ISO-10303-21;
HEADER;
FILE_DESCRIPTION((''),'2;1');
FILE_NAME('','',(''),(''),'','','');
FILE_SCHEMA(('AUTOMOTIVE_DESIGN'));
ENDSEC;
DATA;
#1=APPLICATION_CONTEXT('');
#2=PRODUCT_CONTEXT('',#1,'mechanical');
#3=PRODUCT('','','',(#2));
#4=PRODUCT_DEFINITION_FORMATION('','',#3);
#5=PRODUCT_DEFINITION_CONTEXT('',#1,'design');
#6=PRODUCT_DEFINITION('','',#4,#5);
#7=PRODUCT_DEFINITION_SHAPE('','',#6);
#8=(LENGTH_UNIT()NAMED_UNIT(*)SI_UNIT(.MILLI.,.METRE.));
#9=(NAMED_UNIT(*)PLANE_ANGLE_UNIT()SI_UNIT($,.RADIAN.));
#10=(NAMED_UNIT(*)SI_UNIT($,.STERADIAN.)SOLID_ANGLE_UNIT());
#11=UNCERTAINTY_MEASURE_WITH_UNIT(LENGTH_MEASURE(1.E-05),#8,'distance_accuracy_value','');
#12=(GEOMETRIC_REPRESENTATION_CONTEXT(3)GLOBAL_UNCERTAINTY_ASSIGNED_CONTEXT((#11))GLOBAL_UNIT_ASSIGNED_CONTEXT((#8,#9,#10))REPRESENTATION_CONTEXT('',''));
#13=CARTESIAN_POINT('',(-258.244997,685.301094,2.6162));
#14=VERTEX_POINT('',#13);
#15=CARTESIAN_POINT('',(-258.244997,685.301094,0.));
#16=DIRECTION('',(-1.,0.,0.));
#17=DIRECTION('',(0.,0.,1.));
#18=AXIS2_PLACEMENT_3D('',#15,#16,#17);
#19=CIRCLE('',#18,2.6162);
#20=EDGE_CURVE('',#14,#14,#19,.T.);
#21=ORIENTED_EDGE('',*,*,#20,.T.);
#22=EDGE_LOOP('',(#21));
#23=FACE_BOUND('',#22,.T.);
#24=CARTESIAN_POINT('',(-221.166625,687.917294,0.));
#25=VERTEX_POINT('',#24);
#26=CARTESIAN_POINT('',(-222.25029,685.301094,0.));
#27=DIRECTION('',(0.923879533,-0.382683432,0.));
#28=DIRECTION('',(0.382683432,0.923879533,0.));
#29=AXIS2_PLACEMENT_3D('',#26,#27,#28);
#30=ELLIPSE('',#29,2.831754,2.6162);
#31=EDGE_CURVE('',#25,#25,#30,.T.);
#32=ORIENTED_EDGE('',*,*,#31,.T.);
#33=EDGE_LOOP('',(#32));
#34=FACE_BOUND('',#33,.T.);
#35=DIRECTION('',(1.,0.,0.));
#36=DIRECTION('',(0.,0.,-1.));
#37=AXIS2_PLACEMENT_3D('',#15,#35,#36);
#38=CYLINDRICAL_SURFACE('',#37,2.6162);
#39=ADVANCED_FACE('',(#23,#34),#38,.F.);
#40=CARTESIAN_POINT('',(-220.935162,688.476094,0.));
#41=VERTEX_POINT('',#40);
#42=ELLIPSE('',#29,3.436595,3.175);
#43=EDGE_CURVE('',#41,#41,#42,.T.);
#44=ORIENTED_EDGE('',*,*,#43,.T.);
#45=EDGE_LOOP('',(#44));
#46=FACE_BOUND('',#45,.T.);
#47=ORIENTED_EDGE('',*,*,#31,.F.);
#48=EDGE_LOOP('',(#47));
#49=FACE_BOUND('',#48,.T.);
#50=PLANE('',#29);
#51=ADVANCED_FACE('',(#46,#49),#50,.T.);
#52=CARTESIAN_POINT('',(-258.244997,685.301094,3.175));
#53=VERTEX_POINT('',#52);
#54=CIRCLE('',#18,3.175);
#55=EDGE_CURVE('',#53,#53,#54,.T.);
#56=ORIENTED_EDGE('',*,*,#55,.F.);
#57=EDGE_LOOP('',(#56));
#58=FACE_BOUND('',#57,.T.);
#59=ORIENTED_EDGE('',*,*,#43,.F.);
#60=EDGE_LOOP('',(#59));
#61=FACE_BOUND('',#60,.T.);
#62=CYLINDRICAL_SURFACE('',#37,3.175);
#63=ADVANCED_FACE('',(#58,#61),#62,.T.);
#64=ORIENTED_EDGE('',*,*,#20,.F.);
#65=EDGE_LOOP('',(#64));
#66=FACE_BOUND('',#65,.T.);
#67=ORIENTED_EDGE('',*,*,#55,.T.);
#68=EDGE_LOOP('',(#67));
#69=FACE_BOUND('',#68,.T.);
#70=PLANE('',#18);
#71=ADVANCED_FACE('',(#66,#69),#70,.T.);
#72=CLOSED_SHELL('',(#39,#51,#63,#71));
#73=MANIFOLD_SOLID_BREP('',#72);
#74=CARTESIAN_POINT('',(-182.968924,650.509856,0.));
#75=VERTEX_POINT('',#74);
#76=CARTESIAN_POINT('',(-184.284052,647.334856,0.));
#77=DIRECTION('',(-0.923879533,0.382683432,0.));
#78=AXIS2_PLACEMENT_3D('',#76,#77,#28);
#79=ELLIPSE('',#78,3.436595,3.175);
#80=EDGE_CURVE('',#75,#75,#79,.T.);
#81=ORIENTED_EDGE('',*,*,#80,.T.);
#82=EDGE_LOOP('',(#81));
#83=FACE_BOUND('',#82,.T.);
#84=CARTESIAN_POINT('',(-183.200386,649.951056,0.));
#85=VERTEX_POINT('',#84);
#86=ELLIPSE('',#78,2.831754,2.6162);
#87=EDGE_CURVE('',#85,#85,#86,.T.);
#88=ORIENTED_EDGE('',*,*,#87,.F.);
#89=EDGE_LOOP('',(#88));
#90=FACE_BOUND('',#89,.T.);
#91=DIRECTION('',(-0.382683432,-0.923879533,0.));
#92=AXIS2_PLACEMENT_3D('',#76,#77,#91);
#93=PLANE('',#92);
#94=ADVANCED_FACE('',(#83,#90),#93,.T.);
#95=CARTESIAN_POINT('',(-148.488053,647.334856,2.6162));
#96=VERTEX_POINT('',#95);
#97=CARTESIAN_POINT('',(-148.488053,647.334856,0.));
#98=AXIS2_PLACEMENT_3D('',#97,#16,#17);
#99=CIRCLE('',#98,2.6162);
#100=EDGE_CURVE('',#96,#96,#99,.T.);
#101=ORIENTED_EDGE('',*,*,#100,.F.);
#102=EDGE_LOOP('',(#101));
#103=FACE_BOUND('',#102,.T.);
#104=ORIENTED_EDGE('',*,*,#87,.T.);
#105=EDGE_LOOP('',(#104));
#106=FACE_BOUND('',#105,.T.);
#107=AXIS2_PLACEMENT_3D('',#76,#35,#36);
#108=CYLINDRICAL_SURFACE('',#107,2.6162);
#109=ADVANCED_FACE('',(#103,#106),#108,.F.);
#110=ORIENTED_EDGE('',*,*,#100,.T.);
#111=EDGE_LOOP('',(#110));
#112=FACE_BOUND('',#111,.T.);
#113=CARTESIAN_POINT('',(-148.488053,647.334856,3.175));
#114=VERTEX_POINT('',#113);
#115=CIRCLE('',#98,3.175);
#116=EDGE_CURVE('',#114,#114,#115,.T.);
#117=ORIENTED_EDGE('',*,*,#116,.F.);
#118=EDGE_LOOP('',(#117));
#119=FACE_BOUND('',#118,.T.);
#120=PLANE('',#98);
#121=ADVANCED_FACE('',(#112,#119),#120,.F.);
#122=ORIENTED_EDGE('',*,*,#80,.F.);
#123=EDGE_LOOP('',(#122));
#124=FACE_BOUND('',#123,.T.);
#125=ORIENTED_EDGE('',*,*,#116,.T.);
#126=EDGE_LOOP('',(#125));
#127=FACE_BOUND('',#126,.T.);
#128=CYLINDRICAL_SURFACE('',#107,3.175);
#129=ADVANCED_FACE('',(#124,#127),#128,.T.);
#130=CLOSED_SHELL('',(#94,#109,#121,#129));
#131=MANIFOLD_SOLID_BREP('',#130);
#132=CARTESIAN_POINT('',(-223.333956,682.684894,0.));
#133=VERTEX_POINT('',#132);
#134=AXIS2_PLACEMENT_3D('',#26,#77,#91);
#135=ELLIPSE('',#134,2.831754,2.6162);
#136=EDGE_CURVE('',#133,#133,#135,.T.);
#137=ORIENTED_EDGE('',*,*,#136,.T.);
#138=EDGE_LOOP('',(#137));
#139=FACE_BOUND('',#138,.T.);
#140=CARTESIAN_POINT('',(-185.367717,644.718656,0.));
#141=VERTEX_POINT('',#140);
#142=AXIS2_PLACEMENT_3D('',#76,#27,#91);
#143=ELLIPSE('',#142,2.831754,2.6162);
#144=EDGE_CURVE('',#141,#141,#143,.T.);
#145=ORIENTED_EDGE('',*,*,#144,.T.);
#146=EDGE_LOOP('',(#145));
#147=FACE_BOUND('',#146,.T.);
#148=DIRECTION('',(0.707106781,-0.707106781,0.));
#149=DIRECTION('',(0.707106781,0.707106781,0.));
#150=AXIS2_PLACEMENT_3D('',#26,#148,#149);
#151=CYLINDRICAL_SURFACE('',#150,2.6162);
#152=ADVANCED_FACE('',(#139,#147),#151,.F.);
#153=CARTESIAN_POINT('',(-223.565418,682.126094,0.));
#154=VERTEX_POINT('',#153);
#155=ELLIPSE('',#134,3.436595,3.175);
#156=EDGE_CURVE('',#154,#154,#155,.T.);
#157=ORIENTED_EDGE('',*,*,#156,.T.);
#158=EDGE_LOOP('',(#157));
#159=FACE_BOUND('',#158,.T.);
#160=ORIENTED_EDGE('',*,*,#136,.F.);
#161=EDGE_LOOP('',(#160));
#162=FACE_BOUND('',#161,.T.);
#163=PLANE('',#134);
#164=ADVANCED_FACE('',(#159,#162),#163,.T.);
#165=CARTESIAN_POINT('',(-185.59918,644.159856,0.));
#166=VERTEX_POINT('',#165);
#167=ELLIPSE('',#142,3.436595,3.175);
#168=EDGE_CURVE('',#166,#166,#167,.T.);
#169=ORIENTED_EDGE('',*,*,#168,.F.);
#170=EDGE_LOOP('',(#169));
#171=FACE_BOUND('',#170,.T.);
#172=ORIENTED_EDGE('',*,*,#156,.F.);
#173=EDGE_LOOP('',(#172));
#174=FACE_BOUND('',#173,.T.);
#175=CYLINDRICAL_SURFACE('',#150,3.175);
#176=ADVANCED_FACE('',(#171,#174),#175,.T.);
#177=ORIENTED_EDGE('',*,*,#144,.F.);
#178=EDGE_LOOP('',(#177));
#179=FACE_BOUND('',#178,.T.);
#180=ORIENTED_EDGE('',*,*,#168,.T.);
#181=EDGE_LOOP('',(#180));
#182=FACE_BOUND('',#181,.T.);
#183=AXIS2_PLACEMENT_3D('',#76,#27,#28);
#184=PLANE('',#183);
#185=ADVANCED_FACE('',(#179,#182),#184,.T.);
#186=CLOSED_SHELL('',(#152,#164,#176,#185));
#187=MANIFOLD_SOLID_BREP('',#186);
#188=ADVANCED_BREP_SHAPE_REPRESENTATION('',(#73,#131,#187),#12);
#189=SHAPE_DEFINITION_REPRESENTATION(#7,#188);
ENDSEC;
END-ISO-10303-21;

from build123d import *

# Parameters (mm, degrees)
SKETCH1_ON_SEGMENT_1_R         = 3.175
SKETCH1_ON_SEGMENT_1_R_2       = 2.6162
PIPE_0_5_SCH_40_1_DEPTH        = 38.655870397
SKETCH1_ON_SEGMENT_2_R         = 3.175
SKETCH1_ON_SEGMENT_2_R_2       = 2.6162
PIPE_0_5_SCH_40_1_2_DEPTH      = 59.412113138
PIPE_0_5_SCH_40_1_3_DEPTH      = 35.994706883
PIPE_0_5_SCH_40_1_3_DEPTH_BACK = 2.859871939
SKETCH1_R                      = 3.175
SKETCH1_R_2                    = 2.6162


with BuildPart() as part:
    # Sketch1 on segment 1 (carried to segment 1) → Pipe 0.5 SCH 40(1) (new body)
    with BuildSketch(Plane(origin=(-148.488053197, 647.33485556, 0), x_dir=(0, -1, 0), z_dir=(-1, 0, 0))):
        Circle(SKETCH1_ON_SEGMENT_1_R)
        Circle(SKETCH1_ON_SEGMENT_1_R_2, mode=Mode.SUBTRACT)
    extrude(amount=PIPE_0_5_SCH_40_1_DEPTH)

    # Pipe 0.5 SCH 40(1) mitre 1
    split(bisect_by=Plane(origin=(-184.284051655, 647.33485556, 0), x_dir=(0.382683432, 0.923879533, 0), z_dir=(0.923879533, -0.382683432, 0)), keep=Keep.TOP)


with BuildPart() as body_2:
    # Sketch1 on segment 2 (carried to segment 2) → Pipe 0.5 SCH 40_1 2 (new body)
    with BuildSketch(Plane(origin=(-182.261816813, 645.312620718, 0), x_dir=(-0.707106781, -0.707106781, 0), z_dir=(-0.707106781, 0.707106781, 0))):
        Circle(SKETCH1_ON_SEGMENT_2_R)
        Circle(SKETCH1_ON_SEGMENT_2_R_2, mode=Mode.SUBTRACT)
    extrude(amount=PIPE_0_5_SCH_40_1_2_DEPTH)

    # Pipe 0.5 SCH 40_1 2 mitre 1
    split(bisect_by=Plane(origin=(-222.250290056, 685.301093961, 0), x_dir=(0.382683432, 0.923879533, 0), z_dir=(0.923879533, -0.382683432, 0)), keep=Keep.TOP)

    # Pipe 0.5 SCH 40_1 2 mitre 2
    split(bisect_by=Plane(origin=(-184.284051655, 647.33485556, 0), x_dir=(-0.382683432, -0.923879533, 0), z_dir=(-0.923879533, 0.382683432, 0)), keep=Keep.TOP)


with BuildPart() as body_3:
    # Sketch1 → Pipe 0.5 SCH 40_1 3 (new, two sides: drawn at the far end of the back side and taken through both)
    with BuildSketch(Plane(origin=(-222.250290056, 685.301093961, 0), x_dir=(0, -1, 0), z_dir=(-1, 0, 0)).offset(-PIPE_0_5_SCH_40_1_3_DEPTH_BACK)):
        Circle(SKETCH1_R)
        Circle(SKETCH1_R_2, mode=Mode.SUBTRACT)
    extrude(amount=PIPE_0_5_SCH_40_1_3_DEPTH + PIPE_0_5_SCH_40_1_3_DEPTH_BACK)

    # Pipe 0.5 SCH 40_1 3 mitre 1
    split(bisect_by=Plane(origin=(-222.250290056, 685.301093961, 0), x_dir=(-0.382683432, -0.923879533, 0), z_dir=(-0.923879533, 0.382683432, 0)), keep=Keep.TOP)


solid = Compound([part.part, body_2.part, body_3.part])
